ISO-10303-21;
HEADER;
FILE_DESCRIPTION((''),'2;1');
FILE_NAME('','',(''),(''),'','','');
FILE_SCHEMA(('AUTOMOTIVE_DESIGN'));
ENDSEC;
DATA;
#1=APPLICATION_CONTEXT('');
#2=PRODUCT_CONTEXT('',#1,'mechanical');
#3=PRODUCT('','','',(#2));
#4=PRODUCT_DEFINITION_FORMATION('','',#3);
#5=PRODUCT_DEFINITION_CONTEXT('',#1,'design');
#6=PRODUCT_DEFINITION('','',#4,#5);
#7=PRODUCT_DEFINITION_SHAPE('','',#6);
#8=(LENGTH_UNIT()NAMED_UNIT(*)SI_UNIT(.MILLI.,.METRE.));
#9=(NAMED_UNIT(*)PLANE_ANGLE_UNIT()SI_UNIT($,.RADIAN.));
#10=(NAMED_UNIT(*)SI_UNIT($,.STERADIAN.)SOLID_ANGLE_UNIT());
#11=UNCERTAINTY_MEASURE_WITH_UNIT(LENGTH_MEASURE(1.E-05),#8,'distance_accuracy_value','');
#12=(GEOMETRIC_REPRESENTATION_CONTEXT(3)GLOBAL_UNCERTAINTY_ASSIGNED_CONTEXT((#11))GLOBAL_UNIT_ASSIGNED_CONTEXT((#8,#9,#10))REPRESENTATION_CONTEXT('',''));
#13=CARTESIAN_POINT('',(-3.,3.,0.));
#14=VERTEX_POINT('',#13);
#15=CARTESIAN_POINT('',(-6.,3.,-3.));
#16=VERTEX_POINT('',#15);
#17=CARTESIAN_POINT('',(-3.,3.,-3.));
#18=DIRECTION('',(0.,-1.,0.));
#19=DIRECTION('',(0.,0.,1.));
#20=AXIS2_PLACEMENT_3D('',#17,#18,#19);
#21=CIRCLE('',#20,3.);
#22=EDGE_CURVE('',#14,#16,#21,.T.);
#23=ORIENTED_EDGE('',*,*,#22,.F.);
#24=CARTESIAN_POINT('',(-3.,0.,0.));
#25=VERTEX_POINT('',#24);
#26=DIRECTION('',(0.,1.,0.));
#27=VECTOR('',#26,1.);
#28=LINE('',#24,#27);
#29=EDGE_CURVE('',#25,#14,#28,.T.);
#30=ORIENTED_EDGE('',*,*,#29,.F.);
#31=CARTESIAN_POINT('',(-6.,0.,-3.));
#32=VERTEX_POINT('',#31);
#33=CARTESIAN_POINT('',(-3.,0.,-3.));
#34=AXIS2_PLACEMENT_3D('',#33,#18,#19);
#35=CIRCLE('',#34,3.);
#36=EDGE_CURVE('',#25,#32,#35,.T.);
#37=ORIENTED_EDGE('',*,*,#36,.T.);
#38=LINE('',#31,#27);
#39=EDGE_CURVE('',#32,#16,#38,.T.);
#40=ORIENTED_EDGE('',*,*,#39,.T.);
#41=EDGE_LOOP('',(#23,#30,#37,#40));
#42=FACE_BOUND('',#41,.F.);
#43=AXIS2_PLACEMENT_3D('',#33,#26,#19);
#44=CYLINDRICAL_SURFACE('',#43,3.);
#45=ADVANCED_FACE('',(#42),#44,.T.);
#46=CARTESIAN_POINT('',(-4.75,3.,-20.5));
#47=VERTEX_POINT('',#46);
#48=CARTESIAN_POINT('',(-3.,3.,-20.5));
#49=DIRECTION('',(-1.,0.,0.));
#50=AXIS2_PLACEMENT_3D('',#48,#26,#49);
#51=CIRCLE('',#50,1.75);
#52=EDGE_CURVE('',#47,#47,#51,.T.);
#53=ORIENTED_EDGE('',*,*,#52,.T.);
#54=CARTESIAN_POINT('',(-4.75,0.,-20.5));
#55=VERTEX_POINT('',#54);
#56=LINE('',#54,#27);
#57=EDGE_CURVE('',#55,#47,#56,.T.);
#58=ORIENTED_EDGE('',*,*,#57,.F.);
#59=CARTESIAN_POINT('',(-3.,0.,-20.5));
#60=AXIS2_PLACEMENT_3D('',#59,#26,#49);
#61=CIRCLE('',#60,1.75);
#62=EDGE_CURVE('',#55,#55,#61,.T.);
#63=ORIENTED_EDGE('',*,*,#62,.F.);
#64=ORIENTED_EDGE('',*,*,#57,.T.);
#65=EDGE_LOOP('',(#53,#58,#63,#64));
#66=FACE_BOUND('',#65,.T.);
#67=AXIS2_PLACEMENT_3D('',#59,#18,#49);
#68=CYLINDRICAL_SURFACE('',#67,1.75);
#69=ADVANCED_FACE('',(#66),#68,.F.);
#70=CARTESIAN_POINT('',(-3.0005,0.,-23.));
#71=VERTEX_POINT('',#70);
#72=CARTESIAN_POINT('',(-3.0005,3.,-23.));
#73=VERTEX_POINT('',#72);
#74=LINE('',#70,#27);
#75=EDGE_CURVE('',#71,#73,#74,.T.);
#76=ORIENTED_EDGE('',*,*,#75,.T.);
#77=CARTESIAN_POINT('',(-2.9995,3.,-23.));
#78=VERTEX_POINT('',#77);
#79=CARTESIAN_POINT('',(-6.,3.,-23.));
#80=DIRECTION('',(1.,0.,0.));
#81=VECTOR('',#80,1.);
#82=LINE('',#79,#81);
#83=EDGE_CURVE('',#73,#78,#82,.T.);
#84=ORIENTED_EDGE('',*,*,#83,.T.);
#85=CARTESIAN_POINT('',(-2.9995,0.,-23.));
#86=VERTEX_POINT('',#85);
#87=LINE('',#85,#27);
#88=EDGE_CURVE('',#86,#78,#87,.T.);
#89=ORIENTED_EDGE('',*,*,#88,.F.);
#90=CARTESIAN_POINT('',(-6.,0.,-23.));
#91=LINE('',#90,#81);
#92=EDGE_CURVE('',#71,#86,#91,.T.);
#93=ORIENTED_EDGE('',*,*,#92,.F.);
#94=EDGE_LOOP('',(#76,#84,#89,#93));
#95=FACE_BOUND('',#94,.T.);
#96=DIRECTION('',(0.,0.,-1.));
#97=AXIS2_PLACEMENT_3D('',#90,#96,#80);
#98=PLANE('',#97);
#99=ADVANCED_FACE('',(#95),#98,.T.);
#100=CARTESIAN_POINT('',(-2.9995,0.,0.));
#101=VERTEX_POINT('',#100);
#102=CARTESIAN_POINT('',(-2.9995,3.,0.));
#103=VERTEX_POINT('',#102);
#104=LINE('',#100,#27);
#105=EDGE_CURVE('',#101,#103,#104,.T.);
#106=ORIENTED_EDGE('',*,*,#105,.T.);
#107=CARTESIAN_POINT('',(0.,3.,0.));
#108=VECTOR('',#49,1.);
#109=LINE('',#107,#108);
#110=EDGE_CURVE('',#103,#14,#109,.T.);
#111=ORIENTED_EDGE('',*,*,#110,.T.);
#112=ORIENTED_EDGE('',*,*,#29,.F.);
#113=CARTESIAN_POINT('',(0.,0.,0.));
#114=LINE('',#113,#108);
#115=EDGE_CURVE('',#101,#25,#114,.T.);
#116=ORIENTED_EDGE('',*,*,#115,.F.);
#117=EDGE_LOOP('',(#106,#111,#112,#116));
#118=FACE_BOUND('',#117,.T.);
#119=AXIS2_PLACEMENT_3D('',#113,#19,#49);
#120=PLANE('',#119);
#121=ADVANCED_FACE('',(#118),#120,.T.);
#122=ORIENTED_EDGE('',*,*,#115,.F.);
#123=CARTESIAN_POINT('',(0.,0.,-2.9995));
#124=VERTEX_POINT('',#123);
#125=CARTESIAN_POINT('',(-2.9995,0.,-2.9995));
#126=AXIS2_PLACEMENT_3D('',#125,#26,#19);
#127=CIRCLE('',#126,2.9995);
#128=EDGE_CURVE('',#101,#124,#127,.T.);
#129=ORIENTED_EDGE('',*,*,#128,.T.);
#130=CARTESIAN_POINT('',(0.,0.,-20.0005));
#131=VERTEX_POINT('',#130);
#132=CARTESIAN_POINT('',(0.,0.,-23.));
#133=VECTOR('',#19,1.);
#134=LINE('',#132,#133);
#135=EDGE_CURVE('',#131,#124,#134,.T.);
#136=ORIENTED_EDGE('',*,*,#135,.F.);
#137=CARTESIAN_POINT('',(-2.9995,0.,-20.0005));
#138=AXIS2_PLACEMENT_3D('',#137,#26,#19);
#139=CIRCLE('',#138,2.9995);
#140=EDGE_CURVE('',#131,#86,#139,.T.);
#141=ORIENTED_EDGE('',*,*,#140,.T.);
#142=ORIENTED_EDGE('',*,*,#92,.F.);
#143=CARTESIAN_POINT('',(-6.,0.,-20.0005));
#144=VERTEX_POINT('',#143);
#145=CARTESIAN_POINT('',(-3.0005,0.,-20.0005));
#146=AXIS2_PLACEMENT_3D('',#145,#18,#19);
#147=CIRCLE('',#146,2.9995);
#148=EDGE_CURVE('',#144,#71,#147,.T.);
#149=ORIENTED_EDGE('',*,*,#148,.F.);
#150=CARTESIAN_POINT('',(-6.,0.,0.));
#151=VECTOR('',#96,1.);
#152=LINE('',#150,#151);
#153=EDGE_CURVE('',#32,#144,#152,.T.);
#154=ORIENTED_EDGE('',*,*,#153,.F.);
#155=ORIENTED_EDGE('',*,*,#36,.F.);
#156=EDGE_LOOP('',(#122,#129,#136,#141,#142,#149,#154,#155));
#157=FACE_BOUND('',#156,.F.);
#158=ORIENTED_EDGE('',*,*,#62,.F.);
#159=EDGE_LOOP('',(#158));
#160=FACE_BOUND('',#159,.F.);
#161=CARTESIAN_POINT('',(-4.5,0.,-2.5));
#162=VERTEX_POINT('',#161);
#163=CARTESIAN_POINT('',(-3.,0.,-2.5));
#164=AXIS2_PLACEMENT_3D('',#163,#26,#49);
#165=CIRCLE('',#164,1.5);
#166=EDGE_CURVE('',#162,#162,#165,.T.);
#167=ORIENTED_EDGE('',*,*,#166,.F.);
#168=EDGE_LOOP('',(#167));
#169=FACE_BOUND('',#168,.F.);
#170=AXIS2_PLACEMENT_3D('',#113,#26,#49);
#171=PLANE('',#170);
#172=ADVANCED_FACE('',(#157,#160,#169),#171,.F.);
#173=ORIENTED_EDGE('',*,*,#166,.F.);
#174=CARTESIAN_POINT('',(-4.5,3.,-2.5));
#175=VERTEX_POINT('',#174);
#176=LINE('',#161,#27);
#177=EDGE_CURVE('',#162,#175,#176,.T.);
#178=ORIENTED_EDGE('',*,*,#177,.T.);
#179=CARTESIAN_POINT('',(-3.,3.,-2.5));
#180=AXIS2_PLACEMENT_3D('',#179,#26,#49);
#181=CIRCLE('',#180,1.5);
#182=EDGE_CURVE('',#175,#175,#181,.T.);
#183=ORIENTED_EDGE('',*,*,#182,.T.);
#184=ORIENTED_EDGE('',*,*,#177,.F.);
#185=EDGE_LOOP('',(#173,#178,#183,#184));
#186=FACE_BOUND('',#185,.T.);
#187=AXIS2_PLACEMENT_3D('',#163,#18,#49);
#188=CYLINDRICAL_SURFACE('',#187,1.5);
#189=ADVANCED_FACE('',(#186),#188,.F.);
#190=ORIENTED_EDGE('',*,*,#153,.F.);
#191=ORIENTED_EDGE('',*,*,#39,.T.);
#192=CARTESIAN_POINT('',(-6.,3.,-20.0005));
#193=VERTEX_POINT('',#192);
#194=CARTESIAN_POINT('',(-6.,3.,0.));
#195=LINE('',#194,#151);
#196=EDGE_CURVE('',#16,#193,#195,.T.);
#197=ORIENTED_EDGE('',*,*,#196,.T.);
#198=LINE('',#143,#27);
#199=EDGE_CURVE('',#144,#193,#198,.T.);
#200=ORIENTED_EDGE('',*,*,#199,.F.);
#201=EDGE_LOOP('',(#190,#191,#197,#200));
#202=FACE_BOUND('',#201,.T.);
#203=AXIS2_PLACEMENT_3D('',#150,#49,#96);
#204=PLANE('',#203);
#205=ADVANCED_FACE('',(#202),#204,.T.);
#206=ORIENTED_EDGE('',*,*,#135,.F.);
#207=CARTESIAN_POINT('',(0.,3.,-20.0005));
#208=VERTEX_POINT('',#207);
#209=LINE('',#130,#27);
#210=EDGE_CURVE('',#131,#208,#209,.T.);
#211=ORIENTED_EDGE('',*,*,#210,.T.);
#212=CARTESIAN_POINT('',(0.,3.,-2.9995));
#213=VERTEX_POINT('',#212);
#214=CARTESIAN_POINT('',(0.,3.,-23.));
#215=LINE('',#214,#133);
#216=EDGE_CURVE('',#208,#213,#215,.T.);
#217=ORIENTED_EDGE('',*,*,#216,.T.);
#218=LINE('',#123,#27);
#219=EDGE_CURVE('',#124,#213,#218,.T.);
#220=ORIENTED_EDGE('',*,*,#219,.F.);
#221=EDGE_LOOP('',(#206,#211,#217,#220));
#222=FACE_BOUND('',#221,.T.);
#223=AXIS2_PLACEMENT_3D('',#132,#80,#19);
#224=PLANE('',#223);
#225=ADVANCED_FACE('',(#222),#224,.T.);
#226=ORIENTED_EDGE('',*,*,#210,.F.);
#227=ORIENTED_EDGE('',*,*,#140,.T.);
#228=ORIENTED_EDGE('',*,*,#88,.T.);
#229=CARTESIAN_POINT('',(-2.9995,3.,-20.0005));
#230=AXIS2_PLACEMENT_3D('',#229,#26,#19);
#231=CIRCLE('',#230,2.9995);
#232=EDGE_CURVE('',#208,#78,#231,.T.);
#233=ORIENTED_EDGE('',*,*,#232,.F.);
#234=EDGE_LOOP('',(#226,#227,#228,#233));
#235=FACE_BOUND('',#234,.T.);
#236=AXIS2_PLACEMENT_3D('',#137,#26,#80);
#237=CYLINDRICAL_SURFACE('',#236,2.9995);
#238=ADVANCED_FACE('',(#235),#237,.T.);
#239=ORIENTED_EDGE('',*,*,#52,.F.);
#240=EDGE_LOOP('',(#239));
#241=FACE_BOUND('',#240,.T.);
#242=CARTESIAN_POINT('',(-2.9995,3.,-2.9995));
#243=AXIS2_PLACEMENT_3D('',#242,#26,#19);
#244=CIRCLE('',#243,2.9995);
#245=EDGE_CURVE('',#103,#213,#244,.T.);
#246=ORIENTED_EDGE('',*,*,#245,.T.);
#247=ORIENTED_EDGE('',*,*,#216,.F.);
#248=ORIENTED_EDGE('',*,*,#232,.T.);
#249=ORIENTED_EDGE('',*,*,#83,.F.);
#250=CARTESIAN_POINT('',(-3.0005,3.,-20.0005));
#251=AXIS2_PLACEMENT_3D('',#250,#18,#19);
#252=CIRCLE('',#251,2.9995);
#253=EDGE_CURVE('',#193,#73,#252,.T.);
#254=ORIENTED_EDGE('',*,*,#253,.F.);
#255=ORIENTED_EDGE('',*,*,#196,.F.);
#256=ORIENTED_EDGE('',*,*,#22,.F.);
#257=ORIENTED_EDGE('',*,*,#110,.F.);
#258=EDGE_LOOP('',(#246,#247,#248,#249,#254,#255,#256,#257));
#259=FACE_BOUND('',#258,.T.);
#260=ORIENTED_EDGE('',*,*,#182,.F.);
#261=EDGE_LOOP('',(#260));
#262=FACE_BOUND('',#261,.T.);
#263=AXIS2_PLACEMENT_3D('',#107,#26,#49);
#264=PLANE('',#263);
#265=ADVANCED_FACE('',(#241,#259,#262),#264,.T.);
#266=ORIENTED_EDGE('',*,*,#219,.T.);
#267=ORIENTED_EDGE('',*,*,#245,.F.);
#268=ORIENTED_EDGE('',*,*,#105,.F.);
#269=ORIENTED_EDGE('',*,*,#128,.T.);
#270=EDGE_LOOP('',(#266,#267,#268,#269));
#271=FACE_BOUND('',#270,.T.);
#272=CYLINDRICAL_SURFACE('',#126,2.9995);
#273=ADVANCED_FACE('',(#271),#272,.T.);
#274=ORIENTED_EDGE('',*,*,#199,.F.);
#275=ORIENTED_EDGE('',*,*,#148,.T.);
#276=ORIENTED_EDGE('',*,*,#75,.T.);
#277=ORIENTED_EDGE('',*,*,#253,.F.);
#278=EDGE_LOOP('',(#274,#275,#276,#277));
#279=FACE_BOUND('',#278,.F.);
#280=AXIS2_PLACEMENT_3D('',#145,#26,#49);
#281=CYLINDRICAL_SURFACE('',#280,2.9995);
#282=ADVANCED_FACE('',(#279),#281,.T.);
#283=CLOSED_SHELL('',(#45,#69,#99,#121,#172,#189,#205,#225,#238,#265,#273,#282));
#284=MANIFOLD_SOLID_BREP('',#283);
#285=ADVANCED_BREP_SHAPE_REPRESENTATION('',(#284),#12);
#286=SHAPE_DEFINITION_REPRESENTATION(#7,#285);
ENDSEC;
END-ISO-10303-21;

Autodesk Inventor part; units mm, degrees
ref_plane "YZ Plane" through (0, 0, 0) normal (1, 0, 0) x (0, 1, 0)
ref_plane "XZ Plane" through (0, 0, 0) normal (0, 1, 0) x (-1, 0, 0)
ref_plane "XY Plane" through (0, 0, 0) normal (0, 0, 1) x (1, 0, 0)
sketch "Sketch1" plane through (0, 0, 0) normal (0, 1, 0) x (-1, 0, 0)
  line L0 (0, 0) -> (6, 0)
  line L1 (6, 0) -> (6, -23)
  line L2 (6, -23) -> (0, -23)
  line L3 (0, -23) -> (0, 0)
  circle A0 centre (3, -2.5) radius 1.5
  circle A1 centre (3, -20.5) radius 1.75
  dimension "d0" = 6
  dimension "d1" = 23
  dimension "d2" = 6
  dimension "d4" = 3
  dimension "d5" = 3.5
  dimension "d6" = 2.5
  dimension "d7" = 2.5
extrude "Extrusion1" add sketch "Sketch1" along normal blind 3
fillet "Fillet1" radius 3 1 edges at (-6, 1.5, 0)
fillet "Fillet2" radius 3 3 edges at (0, 1.5, 0) (-6, 1.5, -23) (0, 1.5, -23)
properties part number "reverse gear drag link"
